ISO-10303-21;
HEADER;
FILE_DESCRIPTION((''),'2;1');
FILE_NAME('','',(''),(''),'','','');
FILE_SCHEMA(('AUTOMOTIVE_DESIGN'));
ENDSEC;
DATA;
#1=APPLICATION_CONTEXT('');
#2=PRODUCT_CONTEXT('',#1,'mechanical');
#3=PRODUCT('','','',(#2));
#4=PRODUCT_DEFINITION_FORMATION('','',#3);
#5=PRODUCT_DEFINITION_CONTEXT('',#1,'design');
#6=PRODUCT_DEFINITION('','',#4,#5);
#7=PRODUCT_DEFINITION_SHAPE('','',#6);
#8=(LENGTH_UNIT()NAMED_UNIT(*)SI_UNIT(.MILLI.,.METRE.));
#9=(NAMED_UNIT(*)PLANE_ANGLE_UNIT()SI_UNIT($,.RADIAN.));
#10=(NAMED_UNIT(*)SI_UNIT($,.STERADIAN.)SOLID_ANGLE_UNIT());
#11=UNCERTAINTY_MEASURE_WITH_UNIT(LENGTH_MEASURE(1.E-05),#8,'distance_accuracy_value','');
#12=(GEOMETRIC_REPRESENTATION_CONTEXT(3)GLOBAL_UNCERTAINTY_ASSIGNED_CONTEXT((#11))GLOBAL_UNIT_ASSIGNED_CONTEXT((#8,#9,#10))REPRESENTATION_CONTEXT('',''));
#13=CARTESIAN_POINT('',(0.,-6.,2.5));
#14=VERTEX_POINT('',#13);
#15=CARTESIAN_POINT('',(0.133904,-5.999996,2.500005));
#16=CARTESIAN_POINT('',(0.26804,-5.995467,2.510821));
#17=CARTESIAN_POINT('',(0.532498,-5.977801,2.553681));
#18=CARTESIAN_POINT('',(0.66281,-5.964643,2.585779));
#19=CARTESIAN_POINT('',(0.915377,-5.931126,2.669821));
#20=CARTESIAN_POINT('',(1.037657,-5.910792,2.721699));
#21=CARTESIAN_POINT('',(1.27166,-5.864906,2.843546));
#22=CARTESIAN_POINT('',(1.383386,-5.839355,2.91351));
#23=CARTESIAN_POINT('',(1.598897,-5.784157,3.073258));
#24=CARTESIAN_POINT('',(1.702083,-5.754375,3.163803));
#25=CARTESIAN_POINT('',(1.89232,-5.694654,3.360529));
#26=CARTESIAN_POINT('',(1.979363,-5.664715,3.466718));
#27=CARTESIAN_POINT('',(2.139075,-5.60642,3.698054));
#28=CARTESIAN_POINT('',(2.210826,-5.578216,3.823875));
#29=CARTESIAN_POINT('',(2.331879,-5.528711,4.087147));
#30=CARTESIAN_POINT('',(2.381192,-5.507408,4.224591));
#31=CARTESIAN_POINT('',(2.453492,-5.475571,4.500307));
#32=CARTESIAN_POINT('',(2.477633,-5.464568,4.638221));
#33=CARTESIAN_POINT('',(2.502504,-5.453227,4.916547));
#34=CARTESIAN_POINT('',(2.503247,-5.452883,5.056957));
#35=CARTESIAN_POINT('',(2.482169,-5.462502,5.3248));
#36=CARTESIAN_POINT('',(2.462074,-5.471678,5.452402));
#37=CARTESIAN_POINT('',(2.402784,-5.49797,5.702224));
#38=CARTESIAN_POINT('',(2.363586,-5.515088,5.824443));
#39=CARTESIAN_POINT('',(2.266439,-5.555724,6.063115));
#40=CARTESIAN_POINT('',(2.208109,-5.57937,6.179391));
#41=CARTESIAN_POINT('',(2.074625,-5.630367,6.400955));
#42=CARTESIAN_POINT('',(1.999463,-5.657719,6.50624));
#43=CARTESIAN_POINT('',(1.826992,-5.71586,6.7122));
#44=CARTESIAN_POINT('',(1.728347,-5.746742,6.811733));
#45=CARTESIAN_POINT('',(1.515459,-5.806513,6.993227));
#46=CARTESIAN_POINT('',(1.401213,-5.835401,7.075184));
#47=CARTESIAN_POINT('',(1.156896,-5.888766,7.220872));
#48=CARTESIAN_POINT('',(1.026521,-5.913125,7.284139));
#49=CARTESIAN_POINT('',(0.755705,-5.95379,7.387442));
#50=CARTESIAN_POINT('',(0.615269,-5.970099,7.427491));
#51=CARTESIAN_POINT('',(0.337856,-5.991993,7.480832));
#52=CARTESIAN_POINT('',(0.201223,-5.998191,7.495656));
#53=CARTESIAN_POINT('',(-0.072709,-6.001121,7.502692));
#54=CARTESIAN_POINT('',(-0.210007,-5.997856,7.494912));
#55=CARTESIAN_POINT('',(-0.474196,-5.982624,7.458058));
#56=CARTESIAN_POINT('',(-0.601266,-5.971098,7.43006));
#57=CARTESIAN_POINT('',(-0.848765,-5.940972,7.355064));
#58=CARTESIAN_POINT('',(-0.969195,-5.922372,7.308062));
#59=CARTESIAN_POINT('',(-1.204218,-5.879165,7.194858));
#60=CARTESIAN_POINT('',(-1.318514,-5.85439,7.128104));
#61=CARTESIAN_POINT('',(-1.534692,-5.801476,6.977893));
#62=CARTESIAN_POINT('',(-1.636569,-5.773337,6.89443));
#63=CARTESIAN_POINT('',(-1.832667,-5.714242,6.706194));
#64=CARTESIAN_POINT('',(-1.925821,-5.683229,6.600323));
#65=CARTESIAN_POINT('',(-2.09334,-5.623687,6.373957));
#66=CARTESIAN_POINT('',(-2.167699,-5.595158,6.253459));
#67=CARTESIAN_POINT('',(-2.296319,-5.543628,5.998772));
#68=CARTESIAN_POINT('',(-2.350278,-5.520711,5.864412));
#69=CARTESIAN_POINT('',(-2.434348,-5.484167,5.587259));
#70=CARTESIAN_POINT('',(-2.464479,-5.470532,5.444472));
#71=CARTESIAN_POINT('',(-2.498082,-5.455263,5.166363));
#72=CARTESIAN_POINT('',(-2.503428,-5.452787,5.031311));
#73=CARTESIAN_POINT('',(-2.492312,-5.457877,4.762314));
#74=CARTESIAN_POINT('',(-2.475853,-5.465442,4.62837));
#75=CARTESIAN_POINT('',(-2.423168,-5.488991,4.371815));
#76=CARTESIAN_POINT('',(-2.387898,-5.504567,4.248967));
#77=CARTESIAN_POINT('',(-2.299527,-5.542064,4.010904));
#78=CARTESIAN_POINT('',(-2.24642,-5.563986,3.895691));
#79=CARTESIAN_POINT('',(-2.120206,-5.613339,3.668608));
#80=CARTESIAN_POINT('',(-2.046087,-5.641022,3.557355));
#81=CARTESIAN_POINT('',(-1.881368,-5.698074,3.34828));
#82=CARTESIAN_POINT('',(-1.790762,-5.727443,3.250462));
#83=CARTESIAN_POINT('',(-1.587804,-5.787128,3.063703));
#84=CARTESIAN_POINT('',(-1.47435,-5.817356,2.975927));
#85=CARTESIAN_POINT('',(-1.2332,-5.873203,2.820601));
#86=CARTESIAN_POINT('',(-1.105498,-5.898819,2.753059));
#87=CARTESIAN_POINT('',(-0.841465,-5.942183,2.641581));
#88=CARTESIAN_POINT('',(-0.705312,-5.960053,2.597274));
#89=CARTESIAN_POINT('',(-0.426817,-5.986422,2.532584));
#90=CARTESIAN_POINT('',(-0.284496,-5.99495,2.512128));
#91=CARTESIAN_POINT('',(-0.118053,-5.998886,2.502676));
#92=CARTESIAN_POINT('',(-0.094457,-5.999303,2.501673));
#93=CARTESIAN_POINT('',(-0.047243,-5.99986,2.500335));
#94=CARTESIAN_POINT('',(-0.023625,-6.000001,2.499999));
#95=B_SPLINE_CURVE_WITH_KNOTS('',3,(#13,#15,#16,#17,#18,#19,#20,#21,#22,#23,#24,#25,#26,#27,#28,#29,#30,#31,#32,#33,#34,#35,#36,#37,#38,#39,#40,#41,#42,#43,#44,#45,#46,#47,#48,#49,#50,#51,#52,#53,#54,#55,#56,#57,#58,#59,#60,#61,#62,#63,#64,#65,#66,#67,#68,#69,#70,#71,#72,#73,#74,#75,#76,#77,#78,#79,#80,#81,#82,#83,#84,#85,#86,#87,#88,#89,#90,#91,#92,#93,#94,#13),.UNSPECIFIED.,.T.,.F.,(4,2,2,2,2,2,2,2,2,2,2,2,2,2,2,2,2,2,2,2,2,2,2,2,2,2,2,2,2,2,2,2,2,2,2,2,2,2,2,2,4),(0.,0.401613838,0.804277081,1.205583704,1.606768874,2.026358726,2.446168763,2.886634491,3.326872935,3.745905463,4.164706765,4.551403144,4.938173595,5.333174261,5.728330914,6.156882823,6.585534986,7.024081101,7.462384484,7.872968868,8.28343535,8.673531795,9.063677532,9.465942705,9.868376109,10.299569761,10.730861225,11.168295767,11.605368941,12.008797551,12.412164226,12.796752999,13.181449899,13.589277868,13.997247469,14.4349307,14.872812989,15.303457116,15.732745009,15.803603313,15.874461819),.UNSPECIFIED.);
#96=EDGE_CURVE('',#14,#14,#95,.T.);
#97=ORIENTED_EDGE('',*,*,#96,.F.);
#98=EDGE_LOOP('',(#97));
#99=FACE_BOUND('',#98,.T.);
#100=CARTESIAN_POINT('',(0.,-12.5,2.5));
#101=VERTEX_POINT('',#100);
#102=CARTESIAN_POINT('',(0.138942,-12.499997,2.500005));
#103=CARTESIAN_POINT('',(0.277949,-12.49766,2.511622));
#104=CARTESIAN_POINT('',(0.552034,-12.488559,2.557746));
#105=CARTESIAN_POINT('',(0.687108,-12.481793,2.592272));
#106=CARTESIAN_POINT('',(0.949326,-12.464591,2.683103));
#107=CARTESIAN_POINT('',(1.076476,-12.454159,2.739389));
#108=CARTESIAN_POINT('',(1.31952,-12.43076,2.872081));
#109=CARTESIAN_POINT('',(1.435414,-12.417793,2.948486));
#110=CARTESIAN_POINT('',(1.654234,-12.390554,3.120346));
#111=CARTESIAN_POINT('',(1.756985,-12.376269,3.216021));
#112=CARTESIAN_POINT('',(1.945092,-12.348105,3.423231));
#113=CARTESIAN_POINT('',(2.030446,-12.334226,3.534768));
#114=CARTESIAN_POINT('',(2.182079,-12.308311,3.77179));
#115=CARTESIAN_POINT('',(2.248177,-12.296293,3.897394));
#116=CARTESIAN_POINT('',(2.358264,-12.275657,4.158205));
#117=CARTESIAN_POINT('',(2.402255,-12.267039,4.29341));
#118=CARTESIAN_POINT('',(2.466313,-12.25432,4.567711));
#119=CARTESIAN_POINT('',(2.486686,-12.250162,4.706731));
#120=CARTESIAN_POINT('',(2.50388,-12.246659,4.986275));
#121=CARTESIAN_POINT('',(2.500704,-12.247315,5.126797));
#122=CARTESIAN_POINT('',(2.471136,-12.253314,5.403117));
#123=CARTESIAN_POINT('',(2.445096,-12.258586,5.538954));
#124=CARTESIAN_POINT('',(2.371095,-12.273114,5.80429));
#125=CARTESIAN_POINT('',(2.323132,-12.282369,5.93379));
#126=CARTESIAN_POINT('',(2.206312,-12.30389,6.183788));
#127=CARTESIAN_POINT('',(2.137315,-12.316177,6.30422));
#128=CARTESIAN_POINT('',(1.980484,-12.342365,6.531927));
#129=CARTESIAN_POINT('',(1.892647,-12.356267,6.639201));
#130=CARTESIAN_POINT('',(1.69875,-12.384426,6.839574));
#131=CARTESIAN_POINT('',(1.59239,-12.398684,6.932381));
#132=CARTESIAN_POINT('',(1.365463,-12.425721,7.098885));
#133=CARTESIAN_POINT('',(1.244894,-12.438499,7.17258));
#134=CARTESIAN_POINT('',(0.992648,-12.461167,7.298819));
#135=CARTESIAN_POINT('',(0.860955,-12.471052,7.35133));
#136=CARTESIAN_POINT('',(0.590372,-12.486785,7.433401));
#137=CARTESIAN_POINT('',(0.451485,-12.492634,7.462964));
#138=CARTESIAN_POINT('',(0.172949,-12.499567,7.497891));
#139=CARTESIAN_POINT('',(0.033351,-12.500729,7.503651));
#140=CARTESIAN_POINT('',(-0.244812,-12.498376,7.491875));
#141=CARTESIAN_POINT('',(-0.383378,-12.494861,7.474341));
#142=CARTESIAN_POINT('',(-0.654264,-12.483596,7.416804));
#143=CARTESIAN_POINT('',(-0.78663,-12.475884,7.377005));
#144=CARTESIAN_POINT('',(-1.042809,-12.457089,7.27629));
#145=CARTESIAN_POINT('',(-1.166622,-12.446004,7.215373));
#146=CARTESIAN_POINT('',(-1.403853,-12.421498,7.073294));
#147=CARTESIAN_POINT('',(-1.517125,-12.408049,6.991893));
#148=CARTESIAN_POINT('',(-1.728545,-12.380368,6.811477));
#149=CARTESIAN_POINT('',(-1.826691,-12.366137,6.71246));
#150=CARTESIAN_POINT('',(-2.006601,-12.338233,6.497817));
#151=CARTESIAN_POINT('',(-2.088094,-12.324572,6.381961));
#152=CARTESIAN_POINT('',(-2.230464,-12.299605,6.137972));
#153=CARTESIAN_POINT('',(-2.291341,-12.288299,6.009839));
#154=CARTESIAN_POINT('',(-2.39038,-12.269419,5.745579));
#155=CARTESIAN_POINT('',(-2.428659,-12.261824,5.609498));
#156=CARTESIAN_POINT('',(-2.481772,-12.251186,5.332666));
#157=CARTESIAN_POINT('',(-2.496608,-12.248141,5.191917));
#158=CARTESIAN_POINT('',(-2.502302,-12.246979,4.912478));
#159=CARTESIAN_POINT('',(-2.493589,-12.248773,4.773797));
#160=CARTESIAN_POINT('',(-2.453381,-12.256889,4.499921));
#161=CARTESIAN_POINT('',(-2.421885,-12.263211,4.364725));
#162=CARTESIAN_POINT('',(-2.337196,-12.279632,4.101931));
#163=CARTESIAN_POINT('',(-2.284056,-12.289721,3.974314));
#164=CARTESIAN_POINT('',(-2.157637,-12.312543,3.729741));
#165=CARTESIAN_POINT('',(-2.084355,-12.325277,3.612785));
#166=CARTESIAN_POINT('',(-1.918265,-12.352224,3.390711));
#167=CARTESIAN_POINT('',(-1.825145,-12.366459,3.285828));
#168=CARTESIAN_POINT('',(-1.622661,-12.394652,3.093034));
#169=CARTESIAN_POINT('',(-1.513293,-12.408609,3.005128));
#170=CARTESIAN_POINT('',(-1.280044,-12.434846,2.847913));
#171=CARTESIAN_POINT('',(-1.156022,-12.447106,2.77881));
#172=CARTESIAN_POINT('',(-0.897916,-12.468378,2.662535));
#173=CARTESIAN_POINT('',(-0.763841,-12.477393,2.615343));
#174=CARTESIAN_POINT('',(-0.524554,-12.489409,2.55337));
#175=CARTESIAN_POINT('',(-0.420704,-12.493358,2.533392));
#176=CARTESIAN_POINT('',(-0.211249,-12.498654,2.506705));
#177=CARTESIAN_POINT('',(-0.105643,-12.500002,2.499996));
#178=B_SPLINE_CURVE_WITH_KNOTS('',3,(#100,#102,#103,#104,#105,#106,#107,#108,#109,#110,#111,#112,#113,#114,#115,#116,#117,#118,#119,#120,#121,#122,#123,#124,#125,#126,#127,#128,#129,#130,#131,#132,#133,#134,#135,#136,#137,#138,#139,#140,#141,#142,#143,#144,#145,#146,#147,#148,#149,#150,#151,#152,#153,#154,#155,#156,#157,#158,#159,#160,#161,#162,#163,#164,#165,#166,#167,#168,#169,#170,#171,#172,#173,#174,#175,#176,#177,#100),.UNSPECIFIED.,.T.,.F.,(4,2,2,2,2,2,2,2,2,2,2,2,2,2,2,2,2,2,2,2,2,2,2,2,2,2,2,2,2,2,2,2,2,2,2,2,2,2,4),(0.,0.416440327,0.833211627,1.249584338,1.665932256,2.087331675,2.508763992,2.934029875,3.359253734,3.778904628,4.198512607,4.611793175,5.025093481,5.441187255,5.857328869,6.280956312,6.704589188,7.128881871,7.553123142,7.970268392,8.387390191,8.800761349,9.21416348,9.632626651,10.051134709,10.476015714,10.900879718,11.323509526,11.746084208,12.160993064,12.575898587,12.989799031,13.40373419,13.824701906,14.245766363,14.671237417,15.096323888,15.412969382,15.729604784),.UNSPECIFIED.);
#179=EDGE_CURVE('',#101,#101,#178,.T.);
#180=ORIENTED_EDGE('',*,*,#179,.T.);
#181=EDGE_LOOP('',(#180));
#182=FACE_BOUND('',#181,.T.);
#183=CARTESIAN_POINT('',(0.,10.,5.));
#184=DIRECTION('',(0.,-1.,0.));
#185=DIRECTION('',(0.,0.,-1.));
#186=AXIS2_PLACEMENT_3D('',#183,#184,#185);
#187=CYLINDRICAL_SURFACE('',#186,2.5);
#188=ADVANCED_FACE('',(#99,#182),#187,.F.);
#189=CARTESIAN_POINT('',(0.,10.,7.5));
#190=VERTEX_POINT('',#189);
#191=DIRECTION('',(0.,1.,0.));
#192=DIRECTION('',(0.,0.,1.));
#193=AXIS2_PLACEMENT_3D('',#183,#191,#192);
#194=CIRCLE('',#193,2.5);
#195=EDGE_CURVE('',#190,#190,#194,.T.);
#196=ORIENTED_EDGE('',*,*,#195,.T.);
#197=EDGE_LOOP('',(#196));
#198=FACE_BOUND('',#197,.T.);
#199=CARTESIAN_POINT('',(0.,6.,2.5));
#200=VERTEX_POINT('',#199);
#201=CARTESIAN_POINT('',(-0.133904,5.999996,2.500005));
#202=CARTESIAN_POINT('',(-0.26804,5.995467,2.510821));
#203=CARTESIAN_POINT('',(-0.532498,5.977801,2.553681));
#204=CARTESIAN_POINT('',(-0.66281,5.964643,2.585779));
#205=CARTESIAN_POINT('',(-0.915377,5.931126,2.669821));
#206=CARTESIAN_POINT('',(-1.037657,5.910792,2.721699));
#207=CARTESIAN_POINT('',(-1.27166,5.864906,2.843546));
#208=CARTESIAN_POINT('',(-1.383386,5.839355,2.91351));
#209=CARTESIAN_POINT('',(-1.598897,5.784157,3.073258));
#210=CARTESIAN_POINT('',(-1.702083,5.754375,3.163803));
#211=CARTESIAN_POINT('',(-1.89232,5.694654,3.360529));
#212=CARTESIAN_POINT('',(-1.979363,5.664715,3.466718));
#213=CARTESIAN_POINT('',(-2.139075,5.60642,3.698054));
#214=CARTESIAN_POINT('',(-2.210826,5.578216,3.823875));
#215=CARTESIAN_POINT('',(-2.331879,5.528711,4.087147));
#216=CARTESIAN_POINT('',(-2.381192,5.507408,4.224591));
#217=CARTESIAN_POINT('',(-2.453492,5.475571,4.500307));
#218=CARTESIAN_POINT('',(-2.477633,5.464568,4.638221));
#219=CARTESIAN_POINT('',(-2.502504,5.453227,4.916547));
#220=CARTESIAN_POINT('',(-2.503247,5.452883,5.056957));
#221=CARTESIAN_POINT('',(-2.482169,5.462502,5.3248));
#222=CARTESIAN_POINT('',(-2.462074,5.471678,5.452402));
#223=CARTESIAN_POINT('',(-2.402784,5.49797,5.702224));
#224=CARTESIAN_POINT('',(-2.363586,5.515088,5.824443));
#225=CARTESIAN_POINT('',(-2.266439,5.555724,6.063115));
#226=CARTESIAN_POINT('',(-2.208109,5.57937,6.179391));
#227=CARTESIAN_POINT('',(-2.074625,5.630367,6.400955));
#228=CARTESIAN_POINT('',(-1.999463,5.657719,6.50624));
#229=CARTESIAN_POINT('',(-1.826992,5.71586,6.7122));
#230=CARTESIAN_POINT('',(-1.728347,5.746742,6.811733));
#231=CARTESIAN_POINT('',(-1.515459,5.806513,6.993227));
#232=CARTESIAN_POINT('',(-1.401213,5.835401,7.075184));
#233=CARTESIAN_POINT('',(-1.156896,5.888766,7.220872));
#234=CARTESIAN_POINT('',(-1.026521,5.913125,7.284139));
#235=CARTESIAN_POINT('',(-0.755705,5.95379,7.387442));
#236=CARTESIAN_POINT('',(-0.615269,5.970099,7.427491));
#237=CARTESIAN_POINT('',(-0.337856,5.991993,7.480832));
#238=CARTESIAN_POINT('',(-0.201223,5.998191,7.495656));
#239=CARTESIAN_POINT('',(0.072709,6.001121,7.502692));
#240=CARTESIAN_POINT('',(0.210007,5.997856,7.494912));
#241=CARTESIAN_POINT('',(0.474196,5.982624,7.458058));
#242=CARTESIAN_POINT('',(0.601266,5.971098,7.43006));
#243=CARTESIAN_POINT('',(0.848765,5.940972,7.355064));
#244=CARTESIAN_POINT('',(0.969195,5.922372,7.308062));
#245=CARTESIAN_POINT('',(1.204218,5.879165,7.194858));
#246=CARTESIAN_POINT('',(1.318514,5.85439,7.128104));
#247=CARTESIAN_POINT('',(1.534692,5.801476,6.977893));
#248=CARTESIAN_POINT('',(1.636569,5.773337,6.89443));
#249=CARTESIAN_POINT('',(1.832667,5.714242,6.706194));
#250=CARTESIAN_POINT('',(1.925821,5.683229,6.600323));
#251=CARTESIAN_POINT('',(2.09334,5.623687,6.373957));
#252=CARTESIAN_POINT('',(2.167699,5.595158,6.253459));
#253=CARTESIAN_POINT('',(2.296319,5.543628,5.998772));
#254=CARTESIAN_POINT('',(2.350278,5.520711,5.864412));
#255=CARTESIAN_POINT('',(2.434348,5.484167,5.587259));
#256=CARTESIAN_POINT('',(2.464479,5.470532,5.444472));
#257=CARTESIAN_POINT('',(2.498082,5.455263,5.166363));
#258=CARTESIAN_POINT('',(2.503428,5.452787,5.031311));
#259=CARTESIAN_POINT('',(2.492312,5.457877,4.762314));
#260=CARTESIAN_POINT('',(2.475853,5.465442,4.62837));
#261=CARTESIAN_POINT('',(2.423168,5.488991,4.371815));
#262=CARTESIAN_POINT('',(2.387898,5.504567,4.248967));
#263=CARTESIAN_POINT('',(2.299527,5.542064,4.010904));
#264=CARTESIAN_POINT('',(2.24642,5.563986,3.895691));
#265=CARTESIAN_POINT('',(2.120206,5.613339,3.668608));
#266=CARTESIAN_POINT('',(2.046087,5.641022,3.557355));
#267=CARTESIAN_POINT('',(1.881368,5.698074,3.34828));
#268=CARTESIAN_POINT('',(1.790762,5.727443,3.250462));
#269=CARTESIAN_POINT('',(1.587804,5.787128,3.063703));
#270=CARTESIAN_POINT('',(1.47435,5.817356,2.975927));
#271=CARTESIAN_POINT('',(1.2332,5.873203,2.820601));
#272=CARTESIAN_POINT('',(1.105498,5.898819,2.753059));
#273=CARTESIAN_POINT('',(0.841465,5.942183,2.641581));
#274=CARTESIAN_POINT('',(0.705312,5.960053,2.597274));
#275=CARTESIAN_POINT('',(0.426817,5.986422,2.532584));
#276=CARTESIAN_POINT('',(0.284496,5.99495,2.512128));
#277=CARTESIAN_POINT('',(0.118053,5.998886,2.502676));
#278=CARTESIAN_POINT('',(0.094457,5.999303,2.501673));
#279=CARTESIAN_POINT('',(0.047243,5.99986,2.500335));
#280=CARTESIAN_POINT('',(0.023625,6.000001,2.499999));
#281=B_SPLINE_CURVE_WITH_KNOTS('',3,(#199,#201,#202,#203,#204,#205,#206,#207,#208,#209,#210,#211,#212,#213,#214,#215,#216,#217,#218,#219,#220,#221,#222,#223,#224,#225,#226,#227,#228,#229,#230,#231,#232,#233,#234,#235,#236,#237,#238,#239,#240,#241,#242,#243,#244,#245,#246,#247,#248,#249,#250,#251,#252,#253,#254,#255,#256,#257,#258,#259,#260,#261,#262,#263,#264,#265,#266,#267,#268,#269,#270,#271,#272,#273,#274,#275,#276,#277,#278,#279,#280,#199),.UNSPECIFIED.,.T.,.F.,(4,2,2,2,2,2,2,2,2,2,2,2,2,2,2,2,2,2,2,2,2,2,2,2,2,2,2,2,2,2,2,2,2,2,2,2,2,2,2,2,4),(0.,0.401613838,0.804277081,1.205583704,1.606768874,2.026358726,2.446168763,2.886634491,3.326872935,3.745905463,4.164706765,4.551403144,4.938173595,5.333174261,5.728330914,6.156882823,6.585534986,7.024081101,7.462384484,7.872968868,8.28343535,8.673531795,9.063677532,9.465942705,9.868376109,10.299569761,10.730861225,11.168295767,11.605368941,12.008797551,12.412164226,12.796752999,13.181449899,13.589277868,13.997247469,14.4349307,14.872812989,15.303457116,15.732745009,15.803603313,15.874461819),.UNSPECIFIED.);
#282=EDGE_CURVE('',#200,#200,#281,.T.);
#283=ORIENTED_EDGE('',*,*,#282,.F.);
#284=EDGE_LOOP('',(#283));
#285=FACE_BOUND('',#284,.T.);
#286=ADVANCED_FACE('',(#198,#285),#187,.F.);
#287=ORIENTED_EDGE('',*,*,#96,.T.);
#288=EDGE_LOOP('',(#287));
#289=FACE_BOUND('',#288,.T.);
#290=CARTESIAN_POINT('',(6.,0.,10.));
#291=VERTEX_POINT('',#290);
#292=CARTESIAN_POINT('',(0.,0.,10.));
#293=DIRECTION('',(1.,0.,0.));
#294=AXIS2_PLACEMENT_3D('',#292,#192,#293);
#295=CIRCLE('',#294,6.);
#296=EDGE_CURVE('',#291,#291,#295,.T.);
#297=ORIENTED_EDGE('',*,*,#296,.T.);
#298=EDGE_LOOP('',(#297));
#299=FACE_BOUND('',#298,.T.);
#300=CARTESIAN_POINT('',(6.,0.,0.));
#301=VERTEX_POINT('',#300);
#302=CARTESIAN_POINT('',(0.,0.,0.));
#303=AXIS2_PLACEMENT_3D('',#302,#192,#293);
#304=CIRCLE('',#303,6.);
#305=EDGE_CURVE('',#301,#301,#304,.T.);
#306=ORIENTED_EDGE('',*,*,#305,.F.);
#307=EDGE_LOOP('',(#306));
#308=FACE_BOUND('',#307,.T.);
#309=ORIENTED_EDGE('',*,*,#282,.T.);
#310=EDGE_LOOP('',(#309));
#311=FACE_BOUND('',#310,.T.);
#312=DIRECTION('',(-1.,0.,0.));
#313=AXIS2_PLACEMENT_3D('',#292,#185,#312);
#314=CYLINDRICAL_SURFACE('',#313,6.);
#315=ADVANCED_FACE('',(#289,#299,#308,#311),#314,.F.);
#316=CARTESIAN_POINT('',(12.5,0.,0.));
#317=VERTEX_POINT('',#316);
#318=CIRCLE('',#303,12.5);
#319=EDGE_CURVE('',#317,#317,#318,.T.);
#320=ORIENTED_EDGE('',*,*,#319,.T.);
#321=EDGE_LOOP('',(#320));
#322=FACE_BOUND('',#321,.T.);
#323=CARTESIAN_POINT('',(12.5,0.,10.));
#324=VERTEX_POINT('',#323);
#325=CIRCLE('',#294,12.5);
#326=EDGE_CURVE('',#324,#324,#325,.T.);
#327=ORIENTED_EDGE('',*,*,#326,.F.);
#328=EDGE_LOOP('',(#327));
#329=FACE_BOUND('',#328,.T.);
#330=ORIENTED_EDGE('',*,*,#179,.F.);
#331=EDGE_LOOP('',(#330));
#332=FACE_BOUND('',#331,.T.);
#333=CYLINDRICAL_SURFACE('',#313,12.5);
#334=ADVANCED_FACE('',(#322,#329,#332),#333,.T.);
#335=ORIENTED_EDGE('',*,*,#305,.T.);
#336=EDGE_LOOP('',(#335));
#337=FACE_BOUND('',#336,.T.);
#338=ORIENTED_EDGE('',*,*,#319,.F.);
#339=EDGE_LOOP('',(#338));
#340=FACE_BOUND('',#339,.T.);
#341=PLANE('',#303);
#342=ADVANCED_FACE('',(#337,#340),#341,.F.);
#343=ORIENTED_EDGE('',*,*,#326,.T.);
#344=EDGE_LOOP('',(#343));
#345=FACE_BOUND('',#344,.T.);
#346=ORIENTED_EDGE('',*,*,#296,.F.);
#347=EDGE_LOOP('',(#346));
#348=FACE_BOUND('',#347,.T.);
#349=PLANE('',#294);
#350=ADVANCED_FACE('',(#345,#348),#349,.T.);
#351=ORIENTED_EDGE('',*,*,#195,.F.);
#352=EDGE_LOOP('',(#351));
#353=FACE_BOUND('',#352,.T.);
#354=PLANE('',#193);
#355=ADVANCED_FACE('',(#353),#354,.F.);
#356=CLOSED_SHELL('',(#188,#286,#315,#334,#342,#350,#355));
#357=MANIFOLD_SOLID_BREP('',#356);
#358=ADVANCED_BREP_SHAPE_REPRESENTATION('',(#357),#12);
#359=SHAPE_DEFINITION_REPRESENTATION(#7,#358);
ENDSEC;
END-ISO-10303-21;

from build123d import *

# Parameters (mm, degrees)
SKETCH_1_R               = 12.5
SKETCH_1_R_2             = 6
EXTRUDE_1_DEPTH          = 10
SKETCH_2_R               = 2.5
CUT_EXTRUDE_1_DEPTH      = 10
CUT_EXTRUDE_1_DEPTH_BACK = 13.5


with BuildPart() as part:
    # 草图1 → 凸台-拉伸1 (new body)
    with BuildSketch(Plane.XY):
        Circle(SKETCH_1_R)
        Circle(SKETCH_1_R_2, mode=Mode.SUBTRACT)
    extrude(amount=EXTRUDE_1_DEPTH)

    # 草图2 → 切除-拉伸1 (cut, two sides)
    with BuildSketch(Plane(origin=(0, 0, 0), x_dir=(1, 0, 0), z_dir=(0, 1, 0))) as cut_extrude_1_sk:
        with Locations((0, -5)):
            Circle(SKETCH_2_R)
    extrude(amount=CUT_EXTRUDE_1_DEPTH, mode=Mode.SUBTRACT)
    extrude(cut_extrude_1_sk.sketch, amount=-CUT_EXTRUDE_1_DEPTH_BACK, mode=Mode.SUBTRACT)


solid = part.part
